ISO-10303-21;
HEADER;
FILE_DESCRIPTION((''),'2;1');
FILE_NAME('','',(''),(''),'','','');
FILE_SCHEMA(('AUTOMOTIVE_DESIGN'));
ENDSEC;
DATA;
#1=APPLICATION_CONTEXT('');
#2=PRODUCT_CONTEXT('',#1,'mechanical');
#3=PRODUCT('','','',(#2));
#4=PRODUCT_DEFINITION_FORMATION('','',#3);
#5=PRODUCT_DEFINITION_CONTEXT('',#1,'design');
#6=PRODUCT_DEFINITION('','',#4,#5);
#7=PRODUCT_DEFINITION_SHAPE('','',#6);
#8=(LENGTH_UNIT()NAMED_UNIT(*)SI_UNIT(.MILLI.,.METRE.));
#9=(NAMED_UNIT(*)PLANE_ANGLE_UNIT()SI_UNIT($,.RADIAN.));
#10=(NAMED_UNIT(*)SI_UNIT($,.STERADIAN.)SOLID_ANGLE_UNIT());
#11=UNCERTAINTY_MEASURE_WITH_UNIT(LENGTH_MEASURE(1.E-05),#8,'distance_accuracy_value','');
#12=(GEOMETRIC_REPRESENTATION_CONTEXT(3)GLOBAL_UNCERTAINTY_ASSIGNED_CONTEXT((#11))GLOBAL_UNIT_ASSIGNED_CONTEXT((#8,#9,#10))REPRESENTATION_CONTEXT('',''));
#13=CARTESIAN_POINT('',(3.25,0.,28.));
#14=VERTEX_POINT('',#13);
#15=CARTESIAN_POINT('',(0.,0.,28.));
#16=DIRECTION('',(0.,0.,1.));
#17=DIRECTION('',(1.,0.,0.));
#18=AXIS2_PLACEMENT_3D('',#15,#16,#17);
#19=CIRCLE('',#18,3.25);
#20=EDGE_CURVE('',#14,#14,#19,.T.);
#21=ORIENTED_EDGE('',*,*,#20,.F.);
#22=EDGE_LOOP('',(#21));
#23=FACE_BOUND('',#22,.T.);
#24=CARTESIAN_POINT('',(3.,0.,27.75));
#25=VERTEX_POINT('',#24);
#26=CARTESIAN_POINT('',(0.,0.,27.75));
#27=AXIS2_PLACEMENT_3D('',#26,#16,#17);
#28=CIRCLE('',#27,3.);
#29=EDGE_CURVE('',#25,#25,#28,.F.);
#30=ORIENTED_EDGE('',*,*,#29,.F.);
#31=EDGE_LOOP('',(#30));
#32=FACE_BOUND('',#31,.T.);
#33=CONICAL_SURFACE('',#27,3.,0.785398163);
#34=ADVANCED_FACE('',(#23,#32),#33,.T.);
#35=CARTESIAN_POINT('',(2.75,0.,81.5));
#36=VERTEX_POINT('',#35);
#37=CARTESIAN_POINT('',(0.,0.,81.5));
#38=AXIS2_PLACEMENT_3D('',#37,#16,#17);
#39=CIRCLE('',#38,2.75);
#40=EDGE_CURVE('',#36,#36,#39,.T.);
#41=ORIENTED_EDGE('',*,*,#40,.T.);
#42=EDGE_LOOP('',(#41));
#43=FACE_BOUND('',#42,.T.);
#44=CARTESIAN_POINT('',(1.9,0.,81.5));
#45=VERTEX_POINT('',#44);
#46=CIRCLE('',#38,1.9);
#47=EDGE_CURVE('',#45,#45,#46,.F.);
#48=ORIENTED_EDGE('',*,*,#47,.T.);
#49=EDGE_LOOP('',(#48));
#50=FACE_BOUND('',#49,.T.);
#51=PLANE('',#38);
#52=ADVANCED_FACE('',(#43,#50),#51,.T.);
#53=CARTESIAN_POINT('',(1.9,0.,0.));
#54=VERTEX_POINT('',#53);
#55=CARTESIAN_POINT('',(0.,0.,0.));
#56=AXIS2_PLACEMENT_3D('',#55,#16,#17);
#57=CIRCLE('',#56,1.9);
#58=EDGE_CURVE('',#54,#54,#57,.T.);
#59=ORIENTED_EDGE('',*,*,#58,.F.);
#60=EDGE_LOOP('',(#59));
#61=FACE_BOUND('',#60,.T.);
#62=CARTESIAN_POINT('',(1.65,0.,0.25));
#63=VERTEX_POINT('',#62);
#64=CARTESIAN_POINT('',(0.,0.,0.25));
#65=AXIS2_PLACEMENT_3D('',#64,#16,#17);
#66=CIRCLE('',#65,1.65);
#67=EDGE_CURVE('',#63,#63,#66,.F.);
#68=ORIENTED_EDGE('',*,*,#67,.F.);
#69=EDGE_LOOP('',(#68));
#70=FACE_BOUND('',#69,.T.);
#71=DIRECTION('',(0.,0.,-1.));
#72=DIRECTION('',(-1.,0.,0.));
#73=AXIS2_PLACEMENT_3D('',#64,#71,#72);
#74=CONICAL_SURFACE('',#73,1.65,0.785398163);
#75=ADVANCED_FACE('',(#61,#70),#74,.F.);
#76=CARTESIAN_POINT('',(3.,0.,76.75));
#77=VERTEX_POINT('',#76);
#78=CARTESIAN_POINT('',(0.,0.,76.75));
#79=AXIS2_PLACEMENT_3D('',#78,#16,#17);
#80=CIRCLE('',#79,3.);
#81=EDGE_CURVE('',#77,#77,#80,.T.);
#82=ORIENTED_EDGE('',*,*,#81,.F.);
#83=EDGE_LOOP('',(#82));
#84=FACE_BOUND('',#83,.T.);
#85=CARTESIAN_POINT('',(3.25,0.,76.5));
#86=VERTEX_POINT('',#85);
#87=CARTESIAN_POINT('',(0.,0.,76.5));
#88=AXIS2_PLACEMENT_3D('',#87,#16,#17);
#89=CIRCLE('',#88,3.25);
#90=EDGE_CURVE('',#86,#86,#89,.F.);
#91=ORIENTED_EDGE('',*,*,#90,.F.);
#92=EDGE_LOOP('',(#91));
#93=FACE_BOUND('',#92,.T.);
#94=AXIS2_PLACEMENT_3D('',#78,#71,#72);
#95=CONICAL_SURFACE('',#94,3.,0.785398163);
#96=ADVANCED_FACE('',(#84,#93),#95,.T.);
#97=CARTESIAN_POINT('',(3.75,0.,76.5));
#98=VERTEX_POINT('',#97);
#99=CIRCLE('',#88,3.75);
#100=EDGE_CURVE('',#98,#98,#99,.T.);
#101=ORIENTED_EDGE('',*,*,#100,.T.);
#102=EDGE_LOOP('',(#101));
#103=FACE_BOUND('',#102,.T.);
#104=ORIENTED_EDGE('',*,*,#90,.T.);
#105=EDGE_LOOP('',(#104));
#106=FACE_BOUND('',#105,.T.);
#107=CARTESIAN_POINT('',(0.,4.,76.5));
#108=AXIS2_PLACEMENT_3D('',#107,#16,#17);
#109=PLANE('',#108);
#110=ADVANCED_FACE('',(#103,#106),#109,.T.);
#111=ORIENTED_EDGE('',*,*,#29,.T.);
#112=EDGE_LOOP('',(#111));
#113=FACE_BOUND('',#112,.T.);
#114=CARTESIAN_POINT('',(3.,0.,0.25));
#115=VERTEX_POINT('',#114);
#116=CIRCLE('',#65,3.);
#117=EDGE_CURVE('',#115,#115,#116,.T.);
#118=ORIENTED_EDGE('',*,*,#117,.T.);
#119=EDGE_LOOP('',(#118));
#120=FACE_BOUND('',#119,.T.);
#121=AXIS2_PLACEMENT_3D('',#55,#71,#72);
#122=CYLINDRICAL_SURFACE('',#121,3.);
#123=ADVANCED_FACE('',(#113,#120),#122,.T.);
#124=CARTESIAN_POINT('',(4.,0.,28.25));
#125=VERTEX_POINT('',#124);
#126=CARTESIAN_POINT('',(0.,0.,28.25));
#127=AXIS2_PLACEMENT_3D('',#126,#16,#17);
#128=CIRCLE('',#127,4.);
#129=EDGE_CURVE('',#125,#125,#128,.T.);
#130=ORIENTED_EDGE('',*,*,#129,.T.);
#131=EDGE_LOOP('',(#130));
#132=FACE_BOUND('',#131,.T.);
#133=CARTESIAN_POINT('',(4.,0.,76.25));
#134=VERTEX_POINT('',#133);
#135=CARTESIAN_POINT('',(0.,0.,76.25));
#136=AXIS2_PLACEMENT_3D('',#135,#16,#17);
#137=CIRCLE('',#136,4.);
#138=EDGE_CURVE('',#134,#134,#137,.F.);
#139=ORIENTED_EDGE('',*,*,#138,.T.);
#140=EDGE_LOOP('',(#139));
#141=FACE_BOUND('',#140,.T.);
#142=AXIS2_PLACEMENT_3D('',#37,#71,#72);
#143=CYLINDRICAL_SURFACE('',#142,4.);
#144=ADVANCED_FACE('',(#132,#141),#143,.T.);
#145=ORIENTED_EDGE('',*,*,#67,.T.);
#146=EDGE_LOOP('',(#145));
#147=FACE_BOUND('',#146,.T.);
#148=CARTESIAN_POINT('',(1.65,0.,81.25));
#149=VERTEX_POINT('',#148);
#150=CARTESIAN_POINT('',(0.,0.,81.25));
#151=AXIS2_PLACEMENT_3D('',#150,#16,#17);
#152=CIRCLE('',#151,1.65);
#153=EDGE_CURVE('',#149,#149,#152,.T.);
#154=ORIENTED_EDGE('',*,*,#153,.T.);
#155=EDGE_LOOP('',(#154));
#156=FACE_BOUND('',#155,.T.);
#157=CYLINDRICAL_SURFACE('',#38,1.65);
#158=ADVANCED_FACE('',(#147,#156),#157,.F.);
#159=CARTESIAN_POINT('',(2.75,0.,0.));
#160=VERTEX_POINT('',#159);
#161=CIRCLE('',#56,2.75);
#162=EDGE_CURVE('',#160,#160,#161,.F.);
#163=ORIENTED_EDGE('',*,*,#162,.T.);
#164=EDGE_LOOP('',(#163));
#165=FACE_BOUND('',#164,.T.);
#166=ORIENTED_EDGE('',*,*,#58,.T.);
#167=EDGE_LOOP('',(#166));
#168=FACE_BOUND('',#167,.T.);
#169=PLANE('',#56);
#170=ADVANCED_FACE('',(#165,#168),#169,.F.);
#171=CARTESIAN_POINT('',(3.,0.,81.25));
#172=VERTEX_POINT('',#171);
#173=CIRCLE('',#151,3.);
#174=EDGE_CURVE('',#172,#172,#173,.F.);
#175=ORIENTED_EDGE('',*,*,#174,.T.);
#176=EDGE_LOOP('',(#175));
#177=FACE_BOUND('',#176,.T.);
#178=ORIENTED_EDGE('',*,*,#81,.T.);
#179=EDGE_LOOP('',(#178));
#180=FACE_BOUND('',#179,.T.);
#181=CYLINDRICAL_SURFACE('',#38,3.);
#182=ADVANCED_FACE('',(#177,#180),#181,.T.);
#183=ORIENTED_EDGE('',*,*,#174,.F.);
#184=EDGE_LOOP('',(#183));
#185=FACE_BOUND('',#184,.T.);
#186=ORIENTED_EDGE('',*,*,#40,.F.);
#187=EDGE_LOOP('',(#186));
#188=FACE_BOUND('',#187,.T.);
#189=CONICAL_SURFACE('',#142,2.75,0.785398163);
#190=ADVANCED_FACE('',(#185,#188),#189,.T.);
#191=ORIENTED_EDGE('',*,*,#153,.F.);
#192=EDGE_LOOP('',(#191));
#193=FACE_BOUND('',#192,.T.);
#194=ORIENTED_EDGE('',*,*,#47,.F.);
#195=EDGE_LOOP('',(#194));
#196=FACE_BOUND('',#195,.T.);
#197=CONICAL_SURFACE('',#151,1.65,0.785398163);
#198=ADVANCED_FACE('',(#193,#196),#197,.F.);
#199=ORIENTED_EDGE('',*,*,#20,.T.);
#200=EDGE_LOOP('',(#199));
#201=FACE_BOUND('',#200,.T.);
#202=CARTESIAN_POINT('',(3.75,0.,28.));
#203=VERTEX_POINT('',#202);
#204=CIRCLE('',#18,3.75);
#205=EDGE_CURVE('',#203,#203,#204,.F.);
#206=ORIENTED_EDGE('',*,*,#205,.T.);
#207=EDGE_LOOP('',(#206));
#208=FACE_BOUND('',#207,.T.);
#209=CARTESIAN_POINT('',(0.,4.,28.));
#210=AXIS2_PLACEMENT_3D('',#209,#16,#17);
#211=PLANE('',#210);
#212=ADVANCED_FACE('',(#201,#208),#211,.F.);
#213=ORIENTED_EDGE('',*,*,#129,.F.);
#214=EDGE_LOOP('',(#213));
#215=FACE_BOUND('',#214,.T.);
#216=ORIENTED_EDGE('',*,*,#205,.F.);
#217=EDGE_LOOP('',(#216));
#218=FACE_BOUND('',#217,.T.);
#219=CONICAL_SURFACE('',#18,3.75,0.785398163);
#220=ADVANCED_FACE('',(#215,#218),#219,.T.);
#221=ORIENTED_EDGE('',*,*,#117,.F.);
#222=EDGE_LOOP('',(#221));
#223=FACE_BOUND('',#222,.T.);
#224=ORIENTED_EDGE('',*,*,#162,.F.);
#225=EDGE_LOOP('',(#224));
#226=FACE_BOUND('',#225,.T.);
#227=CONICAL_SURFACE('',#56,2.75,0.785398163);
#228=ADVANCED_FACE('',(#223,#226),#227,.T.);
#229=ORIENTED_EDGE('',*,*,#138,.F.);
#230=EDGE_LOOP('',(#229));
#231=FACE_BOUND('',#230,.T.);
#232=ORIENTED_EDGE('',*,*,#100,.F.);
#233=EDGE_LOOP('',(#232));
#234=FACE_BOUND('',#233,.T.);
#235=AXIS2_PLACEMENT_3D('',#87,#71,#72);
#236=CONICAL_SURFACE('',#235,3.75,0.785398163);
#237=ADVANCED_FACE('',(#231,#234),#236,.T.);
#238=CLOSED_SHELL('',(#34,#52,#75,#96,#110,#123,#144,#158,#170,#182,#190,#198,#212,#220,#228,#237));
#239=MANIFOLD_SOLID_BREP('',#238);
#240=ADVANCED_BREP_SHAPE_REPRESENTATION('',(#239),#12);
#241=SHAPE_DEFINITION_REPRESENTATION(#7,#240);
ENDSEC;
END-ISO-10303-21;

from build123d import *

# Parameters (mm, degrees)
ESQUISSE1_R           = 4
BOSS_EXTRU_1_DEPTH    = 81.5
ESQUISSE2_W           = 28
ESQUISSE2_H           = 1
ESQUISSE3_W           = 5
ESQUISSE3_H           = 1
TROU_TARAUD_M41_D     = 3.3
TROU_TARAUD_M41_DEPTH = 11.5
TROU_TARAUD_M41_TIP   = 0.991420021
TROU_TARAUD_M43_D     = 3.3
CHANFREIN1_SIZE       = 0.25


with BuildPart() as part:
    # Esquisse1 → Boss.-Extru.1 (new body)
    with BuildSketch(Plane.XY):
        Circle(ESQUISSE1_R)
    extrude(amount=BOSS_EXTRU_1_DEPTH)

    # Esquisse2 → Enlèvement de matière-Révolution1 (revolve, cut)
    with BuildSketch(Plane(origin=(0, 0, 0), x_dir=(0, 0, -1), z_dir=(1, 0, 0)), mode=Mode.PRIVATE) as enl_vement_de_mati_re_r_volution1_sk:
        with Locations((-14, 3.5)):
            Rectangle(ESQUISSE2_W, ESQUISSE2_H)
    revolve(enl_vement_de_mati_re_r_volution1_sk.sketch.rotate(Axis((0, 0, 0), (0, 0, 1)), 90), axis=Axis((0, 0, 0), (0, 0, 1)), mode=Mode.SUBTRACT)

    # Esquisse3 → Enlèvement de matière-Révolution2 (revolve, cut)
    with BuildSketch(Plane(origin=(0, 0, 0), x_dir=(0, 0, -1), z_dir=(1, 0, 0)), mode=Mode.PRIVATE) as enl_vement_de_mati_re_r_volution2_sk:
        with Locations((-79, 3.5)):
            Rectangle(ESQUISSE3_W, ESQUISSE3_H)
    revolve(enl_vement_de_mati_re_r_volution2_sk.sketch.rotate(Axis((0, 0, 81.5), (0, 0, -1)), 270), axis=Axis((0, 0, 81.5), (0, 0, -1)), mode=Mode.SUBTRACT)

    # Trou taraudé M41
    with Locations(Plane.XY.offset(81.5)):
        with Locations((0, 0)):
            Hole(TROU_TARAUD_M41_D / 2, depth=TROU_TARAUD_M41_DEPTH)
            with Locations((0, 0, -(TROU_TARAUD_M41_DEPTH + TROU_TARAUD_M41_TIP / 2))):  # 118° drill point
                Cone(0, TROU_TARAUD_M41_D / 2, TROU_TARAUD_M41_TIP, mode=Mode.SUBTRACT)

    # Trou taraudé M43 (through all)
    with Locations(Plane(origin=(0, 0, 0), x_dir=(-1, 0, 0), z_dir=(0, 0, -1))):
        with Locations((0, 0)):
            Hole(TROU_TARAUD_M43_D / 2)

    # Chanfrein1
    chanfrein1_edges = [part.edges().sort_by_distance(p)[0] for p in [
        (3, 0, 81.5),
        (3, 0, 76.5),
        (-4, 0, 76.5),
        (0, 1.65, 81.5),
        (-1.65, 0, 0),
        (3, 0, 0),
        (3, 0, 28),
        (-4, 0, 28),
    ]]
    chamfer(chanfrein1_edges, length=CHANFREIN1_SIZE)


solid = part.part
